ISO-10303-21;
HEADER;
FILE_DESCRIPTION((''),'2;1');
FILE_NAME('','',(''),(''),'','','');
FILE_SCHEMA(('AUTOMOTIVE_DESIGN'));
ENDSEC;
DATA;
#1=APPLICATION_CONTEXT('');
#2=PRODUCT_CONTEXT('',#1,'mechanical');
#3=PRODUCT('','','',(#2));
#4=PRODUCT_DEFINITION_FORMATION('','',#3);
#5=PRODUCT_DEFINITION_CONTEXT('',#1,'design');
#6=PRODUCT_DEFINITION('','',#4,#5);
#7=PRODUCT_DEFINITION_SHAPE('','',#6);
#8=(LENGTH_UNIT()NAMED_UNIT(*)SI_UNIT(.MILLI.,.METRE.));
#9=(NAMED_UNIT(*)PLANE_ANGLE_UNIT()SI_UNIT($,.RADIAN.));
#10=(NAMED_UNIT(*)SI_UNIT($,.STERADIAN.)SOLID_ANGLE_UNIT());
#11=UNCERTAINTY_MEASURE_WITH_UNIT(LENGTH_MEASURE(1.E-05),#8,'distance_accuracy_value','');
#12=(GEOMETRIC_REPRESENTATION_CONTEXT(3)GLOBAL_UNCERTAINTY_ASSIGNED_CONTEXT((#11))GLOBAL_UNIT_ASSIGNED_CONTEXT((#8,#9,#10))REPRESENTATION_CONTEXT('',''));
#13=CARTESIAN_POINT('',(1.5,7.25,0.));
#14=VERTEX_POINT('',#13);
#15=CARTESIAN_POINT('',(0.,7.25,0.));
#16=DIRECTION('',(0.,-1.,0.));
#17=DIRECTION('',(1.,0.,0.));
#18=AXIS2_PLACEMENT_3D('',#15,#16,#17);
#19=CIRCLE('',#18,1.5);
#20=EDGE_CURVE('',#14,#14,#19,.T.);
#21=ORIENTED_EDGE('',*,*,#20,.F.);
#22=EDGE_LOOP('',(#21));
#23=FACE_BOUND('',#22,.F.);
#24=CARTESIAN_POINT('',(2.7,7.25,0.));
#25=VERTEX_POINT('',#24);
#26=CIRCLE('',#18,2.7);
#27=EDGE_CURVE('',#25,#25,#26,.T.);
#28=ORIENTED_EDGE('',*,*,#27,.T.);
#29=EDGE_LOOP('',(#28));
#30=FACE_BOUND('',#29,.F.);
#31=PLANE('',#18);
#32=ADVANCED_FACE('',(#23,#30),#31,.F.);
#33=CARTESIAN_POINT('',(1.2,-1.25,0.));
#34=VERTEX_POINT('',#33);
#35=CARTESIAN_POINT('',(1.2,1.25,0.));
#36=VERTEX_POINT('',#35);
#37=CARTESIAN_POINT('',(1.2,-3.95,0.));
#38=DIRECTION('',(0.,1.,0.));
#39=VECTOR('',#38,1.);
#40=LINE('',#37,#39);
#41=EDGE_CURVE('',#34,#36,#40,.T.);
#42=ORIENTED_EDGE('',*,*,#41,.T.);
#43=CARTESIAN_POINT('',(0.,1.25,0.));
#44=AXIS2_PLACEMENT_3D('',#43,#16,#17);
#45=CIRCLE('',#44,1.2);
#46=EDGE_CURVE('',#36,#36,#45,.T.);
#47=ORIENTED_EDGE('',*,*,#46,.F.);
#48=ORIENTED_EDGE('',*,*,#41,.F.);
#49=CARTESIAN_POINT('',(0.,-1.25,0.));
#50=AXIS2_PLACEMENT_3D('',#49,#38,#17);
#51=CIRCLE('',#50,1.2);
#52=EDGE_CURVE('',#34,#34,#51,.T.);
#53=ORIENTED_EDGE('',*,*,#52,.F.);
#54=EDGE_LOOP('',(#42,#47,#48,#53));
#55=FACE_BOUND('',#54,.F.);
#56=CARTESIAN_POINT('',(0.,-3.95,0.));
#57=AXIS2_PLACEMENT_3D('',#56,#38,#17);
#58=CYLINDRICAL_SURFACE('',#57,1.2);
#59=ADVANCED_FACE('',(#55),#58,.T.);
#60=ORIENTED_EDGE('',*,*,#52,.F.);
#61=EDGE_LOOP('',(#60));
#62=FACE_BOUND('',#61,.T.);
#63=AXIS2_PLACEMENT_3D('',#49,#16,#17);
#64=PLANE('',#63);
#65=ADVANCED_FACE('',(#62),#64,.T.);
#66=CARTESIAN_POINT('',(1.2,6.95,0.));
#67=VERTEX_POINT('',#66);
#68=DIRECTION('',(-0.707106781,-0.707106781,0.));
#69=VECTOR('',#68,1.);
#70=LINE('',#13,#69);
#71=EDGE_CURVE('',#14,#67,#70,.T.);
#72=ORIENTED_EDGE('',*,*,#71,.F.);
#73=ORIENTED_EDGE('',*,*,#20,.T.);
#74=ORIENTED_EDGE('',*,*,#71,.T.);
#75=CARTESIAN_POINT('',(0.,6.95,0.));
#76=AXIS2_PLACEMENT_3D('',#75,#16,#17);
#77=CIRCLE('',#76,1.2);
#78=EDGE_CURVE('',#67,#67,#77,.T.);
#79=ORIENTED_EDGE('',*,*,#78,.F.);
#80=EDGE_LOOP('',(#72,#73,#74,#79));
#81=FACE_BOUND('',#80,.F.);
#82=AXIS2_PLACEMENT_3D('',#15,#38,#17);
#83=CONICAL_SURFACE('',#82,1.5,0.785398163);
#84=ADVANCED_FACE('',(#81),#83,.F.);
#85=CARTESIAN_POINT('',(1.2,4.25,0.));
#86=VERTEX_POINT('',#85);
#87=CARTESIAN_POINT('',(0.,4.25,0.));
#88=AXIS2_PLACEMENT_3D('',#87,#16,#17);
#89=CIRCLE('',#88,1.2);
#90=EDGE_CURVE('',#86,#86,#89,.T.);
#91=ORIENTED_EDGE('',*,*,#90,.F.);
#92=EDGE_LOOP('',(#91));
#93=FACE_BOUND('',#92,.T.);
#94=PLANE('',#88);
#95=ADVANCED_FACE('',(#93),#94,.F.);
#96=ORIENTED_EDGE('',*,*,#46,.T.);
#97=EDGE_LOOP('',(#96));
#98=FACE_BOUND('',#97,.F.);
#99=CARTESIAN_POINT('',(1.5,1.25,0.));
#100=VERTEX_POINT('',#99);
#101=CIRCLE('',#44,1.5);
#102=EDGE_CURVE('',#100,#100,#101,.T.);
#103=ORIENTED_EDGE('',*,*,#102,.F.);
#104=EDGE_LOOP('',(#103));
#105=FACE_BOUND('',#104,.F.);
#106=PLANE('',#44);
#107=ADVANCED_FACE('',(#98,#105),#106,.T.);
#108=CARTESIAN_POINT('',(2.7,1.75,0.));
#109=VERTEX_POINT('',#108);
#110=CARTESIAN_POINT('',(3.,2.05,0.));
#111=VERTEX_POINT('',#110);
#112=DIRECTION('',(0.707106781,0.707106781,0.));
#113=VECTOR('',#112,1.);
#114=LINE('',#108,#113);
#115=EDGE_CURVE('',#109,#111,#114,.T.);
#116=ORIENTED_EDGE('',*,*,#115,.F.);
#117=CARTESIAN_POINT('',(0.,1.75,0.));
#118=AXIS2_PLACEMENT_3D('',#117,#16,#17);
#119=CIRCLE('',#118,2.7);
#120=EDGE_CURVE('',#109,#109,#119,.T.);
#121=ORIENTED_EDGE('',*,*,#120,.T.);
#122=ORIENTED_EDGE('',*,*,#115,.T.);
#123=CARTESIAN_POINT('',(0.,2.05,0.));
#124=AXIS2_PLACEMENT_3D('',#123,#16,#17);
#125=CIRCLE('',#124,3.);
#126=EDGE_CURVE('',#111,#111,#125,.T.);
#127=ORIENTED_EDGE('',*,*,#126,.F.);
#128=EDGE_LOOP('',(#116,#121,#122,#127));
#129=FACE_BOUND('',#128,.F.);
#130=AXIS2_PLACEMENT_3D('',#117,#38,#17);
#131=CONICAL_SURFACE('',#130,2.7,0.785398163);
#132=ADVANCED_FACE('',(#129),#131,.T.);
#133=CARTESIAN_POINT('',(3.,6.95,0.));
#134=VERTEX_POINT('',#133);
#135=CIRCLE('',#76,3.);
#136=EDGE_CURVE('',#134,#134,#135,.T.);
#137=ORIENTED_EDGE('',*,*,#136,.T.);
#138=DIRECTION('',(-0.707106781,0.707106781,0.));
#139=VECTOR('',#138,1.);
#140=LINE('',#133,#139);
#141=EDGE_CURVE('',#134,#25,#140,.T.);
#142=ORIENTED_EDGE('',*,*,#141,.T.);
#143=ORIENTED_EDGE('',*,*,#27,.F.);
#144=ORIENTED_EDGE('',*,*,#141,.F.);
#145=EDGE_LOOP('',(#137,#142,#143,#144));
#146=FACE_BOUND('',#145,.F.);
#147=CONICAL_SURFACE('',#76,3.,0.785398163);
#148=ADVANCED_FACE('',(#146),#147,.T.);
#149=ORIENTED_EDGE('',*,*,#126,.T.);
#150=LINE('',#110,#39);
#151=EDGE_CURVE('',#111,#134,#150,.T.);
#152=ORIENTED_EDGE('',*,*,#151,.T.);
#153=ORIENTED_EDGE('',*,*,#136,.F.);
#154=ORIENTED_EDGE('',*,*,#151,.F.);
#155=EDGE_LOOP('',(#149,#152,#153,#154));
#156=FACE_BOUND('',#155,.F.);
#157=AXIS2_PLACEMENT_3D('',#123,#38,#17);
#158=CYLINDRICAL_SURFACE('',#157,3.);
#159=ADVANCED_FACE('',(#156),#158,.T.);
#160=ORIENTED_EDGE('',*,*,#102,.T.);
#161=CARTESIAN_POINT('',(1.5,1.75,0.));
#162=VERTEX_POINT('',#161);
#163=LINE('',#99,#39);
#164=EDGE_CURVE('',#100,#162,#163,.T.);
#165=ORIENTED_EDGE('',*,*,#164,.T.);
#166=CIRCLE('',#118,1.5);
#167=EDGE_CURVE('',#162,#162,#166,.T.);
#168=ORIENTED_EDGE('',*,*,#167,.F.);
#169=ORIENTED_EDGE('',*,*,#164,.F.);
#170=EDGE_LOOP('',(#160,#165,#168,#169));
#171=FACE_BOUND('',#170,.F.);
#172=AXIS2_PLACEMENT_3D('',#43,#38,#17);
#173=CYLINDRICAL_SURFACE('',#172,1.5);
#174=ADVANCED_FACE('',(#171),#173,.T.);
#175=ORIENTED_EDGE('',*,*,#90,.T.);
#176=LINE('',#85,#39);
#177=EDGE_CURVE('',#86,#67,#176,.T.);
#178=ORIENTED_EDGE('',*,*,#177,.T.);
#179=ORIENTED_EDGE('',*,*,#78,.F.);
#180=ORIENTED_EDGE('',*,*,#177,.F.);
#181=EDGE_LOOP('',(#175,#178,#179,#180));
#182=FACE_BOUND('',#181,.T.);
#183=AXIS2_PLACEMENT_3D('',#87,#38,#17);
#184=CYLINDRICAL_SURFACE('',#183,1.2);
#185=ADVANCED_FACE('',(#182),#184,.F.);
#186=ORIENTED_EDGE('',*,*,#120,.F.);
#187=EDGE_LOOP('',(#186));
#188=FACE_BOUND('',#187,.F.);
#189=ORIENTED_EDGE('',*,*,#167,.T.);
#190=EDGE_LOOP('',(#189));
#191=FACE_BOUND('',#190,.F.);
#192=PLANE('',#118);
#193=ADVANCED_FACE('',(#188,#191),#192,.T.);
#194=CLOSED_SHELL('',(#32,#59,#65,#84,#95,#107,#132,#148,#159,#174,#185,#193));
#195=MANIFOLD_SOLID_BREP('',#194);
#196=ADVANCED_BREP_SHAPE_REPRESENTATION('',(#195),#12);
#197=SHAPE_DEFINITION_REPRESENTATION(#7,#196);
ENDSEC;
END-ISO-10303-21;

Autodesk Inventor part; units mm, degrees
ref_plane "YZ Plane" through (0, 0, 0) normal (1, 0, 0) x (0, 1, 0)
ref_plane "XZ Plane" through (0, 0, 0) normal (0, 1, 0) x (-1, 0, 0)
ref_plane "XY Plane" through (0, 0, 0) normal (0, 0, 1) x (1, 0, 0)
sketch "スケッチ1" plane through (0, 0, 0) normal (0, 0, 1) x (1, 0, 0)
  line L0 (0, -4.25) -> (0.9, -4.25)
  line L1 (0.9, -4.25) -> (1.2, -3.95)
  line L2 (1.2, -3.95) -> (1.2, 1.25)
  line L3 (1.2, 1.25) -> (1.5, 1.25)
  line L4 (1.5, 1.25) -> (1.5, 1.75)
  line L5 (1.5, 1.75) -> (2.7, 1.75)
  line L6 (3, 6.95) -> (2.7, 7.25)
  line L7 (2.7, 7.25) -> (1.5, 7.25)
  line L8 (1.5, 7.25) -> (1.2, 6.95)
  line L9 (0, 7.4044) -> (0, -7.4044) construction
  line L10 (0, -4.25) -> (0, 4.25)
  line L11 (0, 4.25) -> (1.2, 4.25)
  line L12 (1.2, 4.25) -> (1.2, 6.95)
  line L13 (2.7, 1.75) -> (3, 2.05)
  line L14 (3, 2.05) -> (3, 6.95)
  point P0 (0, 0)
  point P1 (0, 0)
  dimension "d0" = 2.4
  dimension "d1" = 6
  dimension "d2" = 0.3
  dimension "d3" = 0.3
  dimension "d4" = 3
  dimension "d5" = 0.5
  dimension "d6" = 5.5
  dimension "d8" = 0.3
  dimension "d9" = 2.4
  dimension "d10" = 3
  dimension "d11" = 0.3
  dimension "d12" = 0.3
  dimension "d13" = 0.3
  dimension "d14" = 0.3
  dimension "d15" = 6
revolve "回転1" add sketch "スケッチ1" angle 360 about axis through (0, 7.4044, 0) along (0, -1, 0)
sketch "スケッチ3" plane through (0, -4.25, 0) normal (0, -1, 0) x (1, 0, 0)
  circle A0 centre (0, 0) radius 0.9 projected
  circle A1 centre (0, 0) radius 4.1426
extrude "押し出し2" cut sketch "スケッチ3" against normal blind 3 contours A0 | A1
equation "\"d3\" = d2"
equation "\"d11\" = d8"
equation "\"d12\" = d8"
equation "\"d13\" = d12"
equation "\"d14\" = d13"
properties part number "BRU-306_5" material "ステンレス鋼 AISI 304"
